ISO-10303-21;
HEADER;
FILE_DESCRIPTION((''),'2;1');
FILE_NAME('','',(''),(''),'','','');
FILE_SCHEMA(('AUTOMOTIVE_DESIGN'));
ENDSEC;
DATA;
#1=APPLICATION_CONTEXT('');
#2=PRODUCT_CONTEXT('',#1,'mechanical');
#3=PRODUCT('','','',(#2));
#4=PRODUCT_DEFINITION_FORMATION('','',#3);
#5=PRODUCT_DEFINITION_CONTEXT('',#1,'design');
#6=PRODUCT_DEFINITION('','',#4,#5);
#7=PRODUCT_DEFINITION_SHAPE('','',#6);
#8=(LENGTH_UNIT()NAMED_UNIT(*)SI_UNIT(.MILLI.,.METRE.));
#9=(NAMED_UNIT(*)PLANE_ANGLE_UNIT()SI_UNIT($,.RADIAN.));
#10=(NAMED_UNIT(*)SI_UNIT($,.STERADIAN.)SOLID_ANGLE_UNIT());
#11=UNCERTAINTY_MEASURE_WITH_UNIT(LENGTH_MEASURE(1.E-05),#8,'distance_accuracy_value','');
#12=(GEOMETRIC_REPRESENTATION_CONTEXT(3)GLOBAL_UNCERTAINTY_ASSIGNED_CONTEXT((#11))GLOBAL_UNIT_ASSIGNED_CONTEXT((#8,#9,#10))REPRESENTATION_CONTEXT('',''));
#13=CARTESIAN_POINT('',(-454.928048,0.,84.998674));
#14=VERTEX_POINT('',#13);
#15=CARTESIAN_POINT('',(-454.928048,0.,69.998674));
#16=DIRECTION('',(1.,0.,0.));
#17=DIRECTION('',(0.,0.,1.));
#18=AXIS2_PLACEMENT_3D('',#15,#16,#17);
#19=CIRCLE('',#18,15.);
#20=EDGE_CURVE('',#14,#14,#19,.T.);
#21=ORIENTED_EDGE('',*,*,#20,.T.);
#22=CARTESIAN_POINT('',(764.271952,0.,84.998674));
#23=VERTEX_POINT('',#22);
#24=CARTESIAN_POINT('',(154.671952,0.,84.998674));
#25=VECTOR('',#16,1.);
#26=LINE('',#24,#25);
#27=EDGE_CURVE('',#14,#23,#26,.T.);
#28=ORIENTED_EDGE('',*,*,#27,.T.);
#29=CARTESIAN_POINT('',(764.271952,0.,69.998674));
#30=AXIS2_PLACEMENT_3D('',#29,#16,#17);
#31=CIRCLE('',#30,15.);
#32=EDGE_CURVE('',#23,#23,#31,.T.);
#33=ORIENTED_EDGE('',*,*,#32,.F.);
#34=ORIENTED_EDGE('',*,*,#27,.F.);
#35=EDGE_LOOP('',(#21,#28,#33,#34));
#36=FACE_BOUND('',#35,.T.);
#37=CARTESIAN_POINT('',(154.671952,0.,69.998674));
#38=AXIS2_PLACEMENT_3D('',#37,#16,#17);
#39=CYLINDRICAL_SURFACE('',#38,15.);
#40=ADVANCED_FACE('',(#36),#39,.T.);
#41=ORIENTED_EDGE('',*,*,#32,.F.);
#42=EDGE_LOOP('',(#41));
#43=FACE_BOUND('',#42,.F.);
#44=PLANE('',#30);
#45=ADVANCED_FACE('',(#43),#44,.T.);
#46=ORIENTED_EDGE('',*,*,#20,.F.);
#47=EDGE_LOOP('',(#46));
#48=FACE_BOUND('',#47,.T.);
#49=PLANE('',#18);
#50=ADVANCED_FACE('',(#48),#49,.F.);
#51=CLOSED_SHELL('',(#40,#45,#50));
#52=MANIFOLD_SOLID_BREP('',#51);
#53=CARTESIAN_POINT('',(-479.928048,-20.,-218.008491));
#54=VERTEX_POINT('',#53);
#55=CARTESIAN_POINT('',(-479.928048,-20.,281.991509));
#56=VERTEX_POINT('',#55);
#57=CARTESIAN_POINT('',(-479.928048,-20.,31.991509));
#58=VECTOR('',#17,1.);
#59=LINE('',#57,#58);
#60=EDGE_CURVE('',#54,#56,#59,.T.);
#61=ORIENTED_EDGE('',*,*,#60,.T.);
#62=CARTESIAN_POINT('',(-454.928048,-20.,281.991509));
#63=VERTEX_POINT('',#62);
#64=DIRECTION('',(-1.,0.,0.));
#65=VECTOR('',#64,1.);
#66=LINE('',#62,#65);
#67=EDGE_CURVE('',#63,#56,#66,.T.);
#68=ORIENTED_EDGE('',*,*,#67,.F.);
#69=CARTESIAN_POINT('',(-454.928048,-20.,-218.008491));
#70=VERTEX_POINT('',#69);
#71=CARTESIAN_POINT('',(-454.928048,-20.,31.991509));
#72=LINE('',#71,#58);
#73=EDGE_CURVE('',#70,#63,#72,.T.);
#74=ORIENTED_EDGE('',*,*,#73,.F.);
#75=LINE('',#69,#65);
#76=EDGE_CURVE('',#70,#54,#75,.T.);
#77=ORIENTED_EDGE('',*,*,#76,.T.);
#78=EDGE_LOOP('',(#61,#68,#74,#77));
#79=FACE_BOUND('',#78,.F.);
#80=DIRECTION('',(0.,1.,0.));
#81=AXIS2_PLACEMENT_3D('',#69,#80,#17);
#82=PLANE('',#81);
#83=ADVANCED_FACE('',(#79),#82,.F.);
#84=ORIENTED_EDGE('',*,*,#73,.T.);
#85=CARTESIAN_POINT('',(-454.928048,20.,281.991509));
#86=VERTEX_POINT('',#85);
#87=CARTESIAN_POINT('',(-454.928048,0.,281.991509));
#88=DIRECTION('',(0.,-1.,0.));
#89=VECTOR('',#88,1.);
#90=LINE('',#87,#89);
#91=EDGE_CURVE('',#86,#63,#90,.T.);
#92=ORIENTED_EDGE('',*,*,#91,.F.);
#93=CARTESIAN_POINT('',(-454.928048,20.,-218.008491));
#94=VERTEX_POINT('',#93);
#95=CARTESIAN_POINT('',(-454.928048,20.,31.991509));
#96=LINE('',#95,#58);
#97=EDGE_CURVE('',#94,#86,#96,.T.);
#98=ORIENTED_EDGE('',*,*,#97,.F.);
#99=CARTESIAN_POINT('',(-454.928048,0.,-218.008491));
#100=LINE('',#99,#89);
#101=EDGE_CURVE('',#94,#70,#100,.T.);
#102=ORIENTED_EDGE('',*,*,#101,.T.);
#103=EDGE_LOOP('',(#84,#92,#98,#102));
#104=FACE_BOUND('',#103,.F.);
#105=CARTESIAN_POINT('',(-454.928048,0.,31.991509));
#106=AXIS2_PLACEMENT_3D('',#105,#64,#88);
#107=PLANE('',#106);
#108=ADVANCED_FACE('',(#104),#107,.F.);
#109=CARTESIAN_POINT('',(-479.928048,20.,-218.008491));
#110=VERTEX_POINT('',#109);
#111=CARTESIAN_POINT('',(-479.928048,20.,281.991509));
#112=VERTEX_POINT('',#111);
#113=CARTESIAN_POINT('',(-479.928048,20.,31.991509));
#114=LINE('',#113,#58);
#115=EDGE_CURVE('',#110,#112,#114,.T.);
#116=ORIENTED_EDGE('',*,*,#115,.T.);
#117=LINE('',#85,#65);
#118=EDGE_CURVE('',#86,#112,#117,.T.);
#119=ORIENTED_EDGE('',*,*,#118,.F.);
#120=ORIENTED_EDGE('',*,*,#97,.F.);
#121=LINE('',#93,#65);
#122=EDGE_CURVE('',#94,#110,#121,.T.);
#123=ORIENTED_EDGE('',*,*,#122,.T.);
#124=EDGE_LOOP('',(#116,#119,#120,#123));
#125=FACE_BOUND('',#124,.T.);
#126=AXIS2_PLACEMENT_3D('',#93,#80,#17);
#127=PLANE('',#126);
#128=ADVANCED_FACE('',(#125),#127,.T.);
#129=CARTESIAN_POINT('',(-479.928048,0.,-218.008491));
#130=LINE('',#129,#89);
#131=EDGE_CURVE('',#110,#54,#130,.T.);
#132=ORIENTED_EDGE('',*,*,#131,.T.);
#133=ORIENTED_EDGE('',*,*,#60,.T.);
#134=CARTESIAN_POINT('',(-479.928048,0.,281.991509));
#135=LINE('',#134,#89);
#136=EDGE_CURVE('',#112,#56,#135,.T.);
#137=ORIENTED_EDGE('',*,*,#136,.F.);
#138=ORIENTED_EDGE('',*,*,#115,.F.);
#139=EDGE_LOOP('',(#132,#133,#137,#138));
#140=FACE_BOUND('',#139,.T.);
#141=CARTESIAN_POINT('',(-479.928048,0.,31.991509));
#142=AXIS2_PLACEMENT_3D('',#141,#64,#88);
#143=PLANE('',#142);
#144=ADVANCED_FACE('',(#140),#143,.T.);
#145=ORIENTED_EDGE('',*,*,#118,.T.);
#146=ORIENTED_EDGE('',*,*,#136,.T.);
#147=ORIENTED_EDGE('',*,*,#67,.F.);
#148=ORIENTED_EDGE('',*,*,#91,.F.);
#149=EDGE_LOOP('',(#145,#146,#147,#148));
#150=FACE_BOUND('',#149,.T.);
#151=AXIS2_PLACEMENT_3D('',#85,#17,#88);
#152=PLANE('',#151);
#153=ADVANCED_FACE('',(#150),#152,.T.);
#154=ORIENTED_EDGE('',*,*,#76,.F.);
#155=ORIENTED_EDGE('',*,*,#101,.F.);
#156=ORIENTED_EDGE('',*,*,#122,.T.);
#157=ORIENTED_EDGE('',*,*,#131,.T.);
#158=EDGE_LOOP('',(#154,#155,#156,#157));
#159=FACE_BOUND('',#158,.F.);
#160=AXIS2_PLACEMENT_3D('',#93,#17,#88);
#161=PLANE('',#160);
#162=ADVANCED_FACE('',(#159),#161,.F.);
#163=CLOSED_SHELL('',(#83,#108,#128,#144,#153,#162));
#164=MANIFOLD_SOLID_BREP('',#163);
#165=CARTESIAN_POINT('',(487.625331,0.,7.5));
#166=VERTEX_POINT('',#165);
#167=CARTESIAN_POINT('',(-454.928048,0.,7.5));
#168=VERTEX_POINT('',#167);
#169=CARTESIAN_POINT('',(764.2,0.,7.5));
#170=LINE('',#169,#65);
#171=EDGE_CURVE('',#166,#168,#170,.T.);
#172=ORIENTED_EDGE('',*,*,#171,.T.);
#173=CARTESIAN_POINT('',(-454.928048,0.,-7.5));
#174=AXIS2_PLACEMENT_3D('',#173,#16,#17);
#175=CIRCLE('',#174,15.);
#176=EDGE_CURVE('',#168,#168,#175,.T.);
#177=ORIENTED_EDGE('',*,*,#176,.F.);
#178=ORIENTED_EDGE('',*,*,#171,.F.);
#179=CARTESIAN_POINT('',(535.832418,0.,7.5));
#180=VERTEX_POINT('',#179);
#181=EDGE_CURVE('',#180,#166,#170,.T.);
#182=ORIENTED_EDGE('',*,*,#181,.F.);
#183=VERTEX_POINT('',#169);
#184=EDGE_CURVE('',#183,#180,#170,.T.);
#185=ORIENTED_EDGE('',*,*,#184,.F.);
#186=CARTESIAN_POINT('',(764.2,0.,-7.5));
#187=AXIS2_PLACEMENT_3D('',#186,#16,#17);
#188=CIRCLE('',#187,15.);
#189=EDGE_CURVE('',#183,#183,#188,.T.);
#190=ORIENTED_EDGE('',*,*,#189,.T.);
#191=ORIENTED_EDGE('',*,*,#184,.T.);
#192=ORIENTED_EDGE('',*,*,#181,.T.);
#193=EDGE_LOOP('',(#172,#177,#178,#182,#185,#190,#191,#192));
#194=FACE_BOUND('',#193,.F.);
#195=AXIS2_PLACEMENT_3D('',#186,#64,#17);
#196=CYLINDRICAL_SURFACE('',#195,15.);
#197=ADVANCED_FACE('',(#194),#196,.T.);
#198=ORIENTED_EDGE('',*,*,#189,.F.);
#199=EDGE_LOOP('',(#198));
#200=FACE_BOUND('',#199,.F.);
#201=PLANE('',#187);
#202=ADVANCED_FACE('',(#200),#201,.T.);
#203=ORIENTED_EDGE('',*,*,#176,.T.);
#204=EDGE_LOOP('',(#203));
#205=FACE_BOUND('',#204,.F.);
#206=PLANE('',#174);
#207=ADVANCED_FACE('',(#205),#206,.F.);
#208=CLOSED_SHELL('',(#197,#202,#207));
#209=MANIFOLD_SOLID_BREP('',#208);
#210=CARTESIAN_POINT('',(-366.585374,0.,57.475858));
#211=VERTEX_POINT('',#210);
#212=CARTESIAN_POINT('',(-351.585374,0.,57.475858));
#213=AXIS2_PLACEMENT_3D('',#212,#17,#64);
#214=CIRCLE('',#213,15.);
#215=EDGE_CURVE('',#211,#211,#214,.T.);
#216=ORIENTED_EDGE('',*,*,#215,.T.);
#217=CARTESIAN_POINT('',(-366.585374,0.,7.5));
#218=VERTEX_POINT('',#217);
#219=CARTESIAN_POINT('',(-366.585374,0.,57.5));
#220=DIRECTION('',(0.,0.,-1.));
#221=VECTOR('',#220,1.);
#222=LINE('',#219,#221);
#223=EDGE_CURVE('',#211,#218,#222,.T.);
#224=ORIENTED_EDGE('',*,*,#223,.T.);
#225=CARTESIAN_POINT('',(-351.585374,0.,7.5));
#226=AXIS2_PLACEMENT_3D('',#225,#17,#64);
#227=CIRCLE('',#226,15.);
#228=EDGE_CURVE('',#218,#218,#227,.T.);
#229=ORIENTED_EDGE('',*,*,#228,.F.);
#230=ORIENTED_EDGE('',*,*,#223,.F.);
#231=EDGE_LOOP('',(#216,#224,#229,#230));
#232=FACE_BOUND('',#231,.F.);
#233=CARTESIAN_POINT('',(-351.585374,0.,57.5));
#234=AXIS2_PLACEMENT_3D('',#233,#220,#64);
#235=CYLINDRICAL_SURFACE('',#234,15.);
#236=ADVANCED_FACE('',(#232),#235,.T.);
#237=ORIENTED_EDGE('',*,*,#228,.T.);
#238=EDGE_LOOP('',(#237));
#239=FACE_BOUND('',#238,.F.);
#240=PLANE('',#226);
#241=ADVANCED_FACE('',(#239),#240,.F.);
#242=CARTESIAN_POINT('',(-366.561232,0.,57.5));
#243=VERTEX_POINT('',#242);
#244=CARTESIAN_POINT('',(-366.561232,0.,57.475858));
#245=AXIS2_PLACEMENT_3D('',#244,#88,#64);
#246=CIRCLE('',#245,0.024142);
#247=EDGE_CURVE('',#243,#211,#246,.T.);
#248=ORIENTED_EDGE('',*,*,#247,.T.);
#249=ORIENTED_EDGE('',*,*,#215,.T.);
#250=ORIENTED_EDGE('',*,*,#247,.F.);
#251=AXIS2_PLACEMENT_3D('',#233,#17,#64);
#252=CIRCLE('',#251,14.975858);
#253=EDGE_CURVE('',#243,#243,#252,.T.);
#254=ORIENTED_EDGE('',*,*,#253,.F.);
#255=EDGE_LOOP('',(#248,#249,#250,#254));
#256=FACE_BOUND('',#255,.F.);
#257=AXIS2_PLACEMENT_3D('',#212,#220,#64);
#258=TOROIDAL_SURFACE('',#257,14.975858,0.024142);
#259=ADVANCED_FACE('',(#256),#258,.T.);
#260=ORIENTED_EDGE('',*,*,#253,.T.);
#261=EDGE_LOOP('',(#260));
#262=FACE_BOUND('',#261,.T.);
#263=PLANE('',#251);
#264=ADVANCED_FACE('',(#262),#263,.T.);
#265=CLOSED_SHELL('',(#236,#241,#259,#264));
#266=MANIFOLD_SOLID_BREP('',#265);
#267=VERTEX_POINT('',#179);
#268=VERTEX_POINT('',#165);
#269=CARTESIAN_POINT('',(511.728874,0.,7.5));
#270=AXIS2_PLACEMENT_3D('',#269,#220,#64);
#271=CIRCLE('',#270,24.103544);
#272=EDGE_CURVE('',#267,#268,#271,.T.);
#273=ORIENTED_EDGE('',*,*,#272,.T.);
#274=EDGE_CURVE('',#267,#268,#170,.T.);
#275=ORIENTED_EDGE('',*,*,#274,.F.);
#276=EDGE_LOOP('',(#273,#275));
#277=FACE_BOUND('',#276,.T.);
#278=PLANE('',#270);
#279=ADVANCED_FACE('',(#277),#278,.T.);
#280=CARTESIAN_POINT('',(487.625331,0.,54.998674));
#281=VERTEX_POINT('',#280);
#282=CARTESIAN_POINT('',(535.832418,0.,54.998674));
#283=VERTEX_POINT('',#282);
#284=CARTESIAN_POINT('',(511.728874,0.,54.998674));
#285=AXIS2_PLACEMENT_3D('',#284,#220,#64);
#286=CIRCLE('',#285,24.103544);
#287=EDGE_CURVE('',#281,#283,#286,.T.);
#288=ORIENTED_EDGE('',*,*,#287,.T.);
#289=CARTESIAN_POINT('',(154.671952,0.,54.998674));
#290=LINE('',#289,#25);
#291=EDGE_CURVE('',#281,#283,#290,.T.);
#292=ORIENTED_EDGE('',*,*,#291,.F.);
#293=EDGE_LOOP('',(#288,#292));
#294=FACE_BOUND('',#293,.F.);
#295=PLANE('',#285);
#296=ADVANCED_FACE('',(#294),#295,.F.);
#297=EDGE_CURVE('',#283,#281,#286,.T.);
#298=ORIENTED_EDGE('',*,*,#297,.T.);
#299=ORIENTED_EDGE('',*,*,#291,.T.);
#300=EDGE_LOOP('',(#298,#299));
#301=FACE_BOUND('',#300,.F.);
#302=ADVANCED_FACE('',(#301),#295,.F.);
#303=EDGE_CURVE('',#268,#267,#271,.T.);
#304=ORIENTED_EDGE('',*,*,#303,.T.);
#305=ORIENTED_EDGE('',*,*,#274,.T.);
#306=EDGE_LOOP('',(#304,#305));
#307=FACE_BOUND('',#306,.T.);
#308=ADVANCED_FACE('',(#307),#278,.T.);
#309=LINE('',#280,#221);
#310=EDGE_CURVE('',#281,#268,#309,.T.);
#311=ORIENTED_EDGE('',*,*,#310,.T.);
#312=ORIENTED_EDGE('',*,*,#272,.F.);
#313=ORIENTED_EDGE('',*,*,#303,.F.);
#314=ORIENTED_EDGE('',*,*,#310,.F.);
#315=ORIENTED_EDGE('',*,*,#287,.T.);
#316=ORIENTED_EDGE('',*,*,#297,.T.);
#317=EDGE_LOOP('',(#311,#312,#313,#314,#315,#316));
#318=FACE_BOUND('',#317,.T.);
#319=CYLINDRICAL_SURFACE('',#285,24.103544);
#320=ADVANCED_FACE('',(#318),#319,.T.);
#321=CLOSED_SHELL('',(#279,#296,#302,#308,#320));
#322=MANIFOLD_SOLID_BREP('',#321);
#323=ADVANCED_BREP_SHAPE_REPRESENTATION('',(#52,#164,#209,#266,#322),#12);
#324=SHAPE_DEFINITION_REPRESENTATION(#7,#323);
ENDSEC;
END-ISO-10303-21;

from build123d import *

# Parameters (mm, degrees)
F0_W     = 1219.2
F0_H     = 15
F0_W_2   = 15
F0_H_2   = 47.4986740947
F0_H_3   = 2.5013259053
F0_W_3   = 24.1035435881
F0_H_4   = 22.4986740947
F0_H_5   = 25
F5_R     = 0.0241421356
F6_W     = 40
F6_H     = 500
F7_DEPTH = 25


with BuildPart() as f1:
    # F0 (on Front) → F1 (revolve)
    with BuildSketch(Plane.XZ):
        with Locations((154.6719521284, 77.4986740947)):
            Rectangle(F0_W, F0_H)
    revolve(axis=Axis((154.6719521284, 0, 69.9986740947), (1, 0, 0)))



with BuildPart() as f2:
    # F0 (on Front) → F2 (revolve)
    with BuildSketch(Plane.XZ):
        Polygon((-454.9280478716, -7.5), (764.2, -7.5), (764.2, 7.5), (535.8324178628, 7.5), (511.7288742747, 7.5), (487.6253306866, 7.5), (-336.5853738785, 7.5), (-351.5853738785, 7.5), (-366.5853738785, 7.5), (-454.9280478716, 7.5), align=None)
    revolve(axis=Axis((154.6359760642, 0, -7.5), (1, 0, 0)))


with BuildPart() as f3:
    # F0 (on Front) → F3 (revolve)
    with BuildSketch(Plane.XZ):
        with Locations((-359.0853738785, 31.2493370473)):
            Rectangle(F0_W_2, F0_H_2)
        with Locations((-359.0853738785, 56.2493370473)):
            Rectangle(F0_W_2, F0_H_3)
    revolve(axis=Axis((-351.5853738785, 0, 32.5), (0, 0, 1)))

    # F5
    f5_edges = [f3.edges().sort_by_distance(p)[0] for p in [
        (-336.585374, 0, 57.5),
    ]]
    fillet(f5_edges, radius=F5_R)


with BuildPart() as f1_1:
    add(f1.part)

    add(f2.part)  # F4 merges F2
    # F0 (on Front) → F4 (revolve)
    with BuildSketch(Plane.XZ):
        with Locations((499.6771024806, 43.7493370473)):
            Rectangle(F0_W_3, F0_H_4)
        with Locations((499.6771024806, 20)):
            Rectangle(F0_W_3, F0_H_5)
    revolve(axis=Axis((511.7288742747, 0, 32.5), (0, 0, -1)))


with BuildPart() as f7:
    # F6 (on face) → F7 (new body)
    with BuildSketch(Plane(origin=(-454.9280478716, 0, 0), x_dir=(0, -1, 0), z_dir=(-1, 0, 0))):
        with Locations((0, 31.9915090998)):
            Rectangle(F6_W, F6_H)
    extrude(amount=F7_DEPTH)


solid = Compound([f3.part, f1_1.part, f7.part])
